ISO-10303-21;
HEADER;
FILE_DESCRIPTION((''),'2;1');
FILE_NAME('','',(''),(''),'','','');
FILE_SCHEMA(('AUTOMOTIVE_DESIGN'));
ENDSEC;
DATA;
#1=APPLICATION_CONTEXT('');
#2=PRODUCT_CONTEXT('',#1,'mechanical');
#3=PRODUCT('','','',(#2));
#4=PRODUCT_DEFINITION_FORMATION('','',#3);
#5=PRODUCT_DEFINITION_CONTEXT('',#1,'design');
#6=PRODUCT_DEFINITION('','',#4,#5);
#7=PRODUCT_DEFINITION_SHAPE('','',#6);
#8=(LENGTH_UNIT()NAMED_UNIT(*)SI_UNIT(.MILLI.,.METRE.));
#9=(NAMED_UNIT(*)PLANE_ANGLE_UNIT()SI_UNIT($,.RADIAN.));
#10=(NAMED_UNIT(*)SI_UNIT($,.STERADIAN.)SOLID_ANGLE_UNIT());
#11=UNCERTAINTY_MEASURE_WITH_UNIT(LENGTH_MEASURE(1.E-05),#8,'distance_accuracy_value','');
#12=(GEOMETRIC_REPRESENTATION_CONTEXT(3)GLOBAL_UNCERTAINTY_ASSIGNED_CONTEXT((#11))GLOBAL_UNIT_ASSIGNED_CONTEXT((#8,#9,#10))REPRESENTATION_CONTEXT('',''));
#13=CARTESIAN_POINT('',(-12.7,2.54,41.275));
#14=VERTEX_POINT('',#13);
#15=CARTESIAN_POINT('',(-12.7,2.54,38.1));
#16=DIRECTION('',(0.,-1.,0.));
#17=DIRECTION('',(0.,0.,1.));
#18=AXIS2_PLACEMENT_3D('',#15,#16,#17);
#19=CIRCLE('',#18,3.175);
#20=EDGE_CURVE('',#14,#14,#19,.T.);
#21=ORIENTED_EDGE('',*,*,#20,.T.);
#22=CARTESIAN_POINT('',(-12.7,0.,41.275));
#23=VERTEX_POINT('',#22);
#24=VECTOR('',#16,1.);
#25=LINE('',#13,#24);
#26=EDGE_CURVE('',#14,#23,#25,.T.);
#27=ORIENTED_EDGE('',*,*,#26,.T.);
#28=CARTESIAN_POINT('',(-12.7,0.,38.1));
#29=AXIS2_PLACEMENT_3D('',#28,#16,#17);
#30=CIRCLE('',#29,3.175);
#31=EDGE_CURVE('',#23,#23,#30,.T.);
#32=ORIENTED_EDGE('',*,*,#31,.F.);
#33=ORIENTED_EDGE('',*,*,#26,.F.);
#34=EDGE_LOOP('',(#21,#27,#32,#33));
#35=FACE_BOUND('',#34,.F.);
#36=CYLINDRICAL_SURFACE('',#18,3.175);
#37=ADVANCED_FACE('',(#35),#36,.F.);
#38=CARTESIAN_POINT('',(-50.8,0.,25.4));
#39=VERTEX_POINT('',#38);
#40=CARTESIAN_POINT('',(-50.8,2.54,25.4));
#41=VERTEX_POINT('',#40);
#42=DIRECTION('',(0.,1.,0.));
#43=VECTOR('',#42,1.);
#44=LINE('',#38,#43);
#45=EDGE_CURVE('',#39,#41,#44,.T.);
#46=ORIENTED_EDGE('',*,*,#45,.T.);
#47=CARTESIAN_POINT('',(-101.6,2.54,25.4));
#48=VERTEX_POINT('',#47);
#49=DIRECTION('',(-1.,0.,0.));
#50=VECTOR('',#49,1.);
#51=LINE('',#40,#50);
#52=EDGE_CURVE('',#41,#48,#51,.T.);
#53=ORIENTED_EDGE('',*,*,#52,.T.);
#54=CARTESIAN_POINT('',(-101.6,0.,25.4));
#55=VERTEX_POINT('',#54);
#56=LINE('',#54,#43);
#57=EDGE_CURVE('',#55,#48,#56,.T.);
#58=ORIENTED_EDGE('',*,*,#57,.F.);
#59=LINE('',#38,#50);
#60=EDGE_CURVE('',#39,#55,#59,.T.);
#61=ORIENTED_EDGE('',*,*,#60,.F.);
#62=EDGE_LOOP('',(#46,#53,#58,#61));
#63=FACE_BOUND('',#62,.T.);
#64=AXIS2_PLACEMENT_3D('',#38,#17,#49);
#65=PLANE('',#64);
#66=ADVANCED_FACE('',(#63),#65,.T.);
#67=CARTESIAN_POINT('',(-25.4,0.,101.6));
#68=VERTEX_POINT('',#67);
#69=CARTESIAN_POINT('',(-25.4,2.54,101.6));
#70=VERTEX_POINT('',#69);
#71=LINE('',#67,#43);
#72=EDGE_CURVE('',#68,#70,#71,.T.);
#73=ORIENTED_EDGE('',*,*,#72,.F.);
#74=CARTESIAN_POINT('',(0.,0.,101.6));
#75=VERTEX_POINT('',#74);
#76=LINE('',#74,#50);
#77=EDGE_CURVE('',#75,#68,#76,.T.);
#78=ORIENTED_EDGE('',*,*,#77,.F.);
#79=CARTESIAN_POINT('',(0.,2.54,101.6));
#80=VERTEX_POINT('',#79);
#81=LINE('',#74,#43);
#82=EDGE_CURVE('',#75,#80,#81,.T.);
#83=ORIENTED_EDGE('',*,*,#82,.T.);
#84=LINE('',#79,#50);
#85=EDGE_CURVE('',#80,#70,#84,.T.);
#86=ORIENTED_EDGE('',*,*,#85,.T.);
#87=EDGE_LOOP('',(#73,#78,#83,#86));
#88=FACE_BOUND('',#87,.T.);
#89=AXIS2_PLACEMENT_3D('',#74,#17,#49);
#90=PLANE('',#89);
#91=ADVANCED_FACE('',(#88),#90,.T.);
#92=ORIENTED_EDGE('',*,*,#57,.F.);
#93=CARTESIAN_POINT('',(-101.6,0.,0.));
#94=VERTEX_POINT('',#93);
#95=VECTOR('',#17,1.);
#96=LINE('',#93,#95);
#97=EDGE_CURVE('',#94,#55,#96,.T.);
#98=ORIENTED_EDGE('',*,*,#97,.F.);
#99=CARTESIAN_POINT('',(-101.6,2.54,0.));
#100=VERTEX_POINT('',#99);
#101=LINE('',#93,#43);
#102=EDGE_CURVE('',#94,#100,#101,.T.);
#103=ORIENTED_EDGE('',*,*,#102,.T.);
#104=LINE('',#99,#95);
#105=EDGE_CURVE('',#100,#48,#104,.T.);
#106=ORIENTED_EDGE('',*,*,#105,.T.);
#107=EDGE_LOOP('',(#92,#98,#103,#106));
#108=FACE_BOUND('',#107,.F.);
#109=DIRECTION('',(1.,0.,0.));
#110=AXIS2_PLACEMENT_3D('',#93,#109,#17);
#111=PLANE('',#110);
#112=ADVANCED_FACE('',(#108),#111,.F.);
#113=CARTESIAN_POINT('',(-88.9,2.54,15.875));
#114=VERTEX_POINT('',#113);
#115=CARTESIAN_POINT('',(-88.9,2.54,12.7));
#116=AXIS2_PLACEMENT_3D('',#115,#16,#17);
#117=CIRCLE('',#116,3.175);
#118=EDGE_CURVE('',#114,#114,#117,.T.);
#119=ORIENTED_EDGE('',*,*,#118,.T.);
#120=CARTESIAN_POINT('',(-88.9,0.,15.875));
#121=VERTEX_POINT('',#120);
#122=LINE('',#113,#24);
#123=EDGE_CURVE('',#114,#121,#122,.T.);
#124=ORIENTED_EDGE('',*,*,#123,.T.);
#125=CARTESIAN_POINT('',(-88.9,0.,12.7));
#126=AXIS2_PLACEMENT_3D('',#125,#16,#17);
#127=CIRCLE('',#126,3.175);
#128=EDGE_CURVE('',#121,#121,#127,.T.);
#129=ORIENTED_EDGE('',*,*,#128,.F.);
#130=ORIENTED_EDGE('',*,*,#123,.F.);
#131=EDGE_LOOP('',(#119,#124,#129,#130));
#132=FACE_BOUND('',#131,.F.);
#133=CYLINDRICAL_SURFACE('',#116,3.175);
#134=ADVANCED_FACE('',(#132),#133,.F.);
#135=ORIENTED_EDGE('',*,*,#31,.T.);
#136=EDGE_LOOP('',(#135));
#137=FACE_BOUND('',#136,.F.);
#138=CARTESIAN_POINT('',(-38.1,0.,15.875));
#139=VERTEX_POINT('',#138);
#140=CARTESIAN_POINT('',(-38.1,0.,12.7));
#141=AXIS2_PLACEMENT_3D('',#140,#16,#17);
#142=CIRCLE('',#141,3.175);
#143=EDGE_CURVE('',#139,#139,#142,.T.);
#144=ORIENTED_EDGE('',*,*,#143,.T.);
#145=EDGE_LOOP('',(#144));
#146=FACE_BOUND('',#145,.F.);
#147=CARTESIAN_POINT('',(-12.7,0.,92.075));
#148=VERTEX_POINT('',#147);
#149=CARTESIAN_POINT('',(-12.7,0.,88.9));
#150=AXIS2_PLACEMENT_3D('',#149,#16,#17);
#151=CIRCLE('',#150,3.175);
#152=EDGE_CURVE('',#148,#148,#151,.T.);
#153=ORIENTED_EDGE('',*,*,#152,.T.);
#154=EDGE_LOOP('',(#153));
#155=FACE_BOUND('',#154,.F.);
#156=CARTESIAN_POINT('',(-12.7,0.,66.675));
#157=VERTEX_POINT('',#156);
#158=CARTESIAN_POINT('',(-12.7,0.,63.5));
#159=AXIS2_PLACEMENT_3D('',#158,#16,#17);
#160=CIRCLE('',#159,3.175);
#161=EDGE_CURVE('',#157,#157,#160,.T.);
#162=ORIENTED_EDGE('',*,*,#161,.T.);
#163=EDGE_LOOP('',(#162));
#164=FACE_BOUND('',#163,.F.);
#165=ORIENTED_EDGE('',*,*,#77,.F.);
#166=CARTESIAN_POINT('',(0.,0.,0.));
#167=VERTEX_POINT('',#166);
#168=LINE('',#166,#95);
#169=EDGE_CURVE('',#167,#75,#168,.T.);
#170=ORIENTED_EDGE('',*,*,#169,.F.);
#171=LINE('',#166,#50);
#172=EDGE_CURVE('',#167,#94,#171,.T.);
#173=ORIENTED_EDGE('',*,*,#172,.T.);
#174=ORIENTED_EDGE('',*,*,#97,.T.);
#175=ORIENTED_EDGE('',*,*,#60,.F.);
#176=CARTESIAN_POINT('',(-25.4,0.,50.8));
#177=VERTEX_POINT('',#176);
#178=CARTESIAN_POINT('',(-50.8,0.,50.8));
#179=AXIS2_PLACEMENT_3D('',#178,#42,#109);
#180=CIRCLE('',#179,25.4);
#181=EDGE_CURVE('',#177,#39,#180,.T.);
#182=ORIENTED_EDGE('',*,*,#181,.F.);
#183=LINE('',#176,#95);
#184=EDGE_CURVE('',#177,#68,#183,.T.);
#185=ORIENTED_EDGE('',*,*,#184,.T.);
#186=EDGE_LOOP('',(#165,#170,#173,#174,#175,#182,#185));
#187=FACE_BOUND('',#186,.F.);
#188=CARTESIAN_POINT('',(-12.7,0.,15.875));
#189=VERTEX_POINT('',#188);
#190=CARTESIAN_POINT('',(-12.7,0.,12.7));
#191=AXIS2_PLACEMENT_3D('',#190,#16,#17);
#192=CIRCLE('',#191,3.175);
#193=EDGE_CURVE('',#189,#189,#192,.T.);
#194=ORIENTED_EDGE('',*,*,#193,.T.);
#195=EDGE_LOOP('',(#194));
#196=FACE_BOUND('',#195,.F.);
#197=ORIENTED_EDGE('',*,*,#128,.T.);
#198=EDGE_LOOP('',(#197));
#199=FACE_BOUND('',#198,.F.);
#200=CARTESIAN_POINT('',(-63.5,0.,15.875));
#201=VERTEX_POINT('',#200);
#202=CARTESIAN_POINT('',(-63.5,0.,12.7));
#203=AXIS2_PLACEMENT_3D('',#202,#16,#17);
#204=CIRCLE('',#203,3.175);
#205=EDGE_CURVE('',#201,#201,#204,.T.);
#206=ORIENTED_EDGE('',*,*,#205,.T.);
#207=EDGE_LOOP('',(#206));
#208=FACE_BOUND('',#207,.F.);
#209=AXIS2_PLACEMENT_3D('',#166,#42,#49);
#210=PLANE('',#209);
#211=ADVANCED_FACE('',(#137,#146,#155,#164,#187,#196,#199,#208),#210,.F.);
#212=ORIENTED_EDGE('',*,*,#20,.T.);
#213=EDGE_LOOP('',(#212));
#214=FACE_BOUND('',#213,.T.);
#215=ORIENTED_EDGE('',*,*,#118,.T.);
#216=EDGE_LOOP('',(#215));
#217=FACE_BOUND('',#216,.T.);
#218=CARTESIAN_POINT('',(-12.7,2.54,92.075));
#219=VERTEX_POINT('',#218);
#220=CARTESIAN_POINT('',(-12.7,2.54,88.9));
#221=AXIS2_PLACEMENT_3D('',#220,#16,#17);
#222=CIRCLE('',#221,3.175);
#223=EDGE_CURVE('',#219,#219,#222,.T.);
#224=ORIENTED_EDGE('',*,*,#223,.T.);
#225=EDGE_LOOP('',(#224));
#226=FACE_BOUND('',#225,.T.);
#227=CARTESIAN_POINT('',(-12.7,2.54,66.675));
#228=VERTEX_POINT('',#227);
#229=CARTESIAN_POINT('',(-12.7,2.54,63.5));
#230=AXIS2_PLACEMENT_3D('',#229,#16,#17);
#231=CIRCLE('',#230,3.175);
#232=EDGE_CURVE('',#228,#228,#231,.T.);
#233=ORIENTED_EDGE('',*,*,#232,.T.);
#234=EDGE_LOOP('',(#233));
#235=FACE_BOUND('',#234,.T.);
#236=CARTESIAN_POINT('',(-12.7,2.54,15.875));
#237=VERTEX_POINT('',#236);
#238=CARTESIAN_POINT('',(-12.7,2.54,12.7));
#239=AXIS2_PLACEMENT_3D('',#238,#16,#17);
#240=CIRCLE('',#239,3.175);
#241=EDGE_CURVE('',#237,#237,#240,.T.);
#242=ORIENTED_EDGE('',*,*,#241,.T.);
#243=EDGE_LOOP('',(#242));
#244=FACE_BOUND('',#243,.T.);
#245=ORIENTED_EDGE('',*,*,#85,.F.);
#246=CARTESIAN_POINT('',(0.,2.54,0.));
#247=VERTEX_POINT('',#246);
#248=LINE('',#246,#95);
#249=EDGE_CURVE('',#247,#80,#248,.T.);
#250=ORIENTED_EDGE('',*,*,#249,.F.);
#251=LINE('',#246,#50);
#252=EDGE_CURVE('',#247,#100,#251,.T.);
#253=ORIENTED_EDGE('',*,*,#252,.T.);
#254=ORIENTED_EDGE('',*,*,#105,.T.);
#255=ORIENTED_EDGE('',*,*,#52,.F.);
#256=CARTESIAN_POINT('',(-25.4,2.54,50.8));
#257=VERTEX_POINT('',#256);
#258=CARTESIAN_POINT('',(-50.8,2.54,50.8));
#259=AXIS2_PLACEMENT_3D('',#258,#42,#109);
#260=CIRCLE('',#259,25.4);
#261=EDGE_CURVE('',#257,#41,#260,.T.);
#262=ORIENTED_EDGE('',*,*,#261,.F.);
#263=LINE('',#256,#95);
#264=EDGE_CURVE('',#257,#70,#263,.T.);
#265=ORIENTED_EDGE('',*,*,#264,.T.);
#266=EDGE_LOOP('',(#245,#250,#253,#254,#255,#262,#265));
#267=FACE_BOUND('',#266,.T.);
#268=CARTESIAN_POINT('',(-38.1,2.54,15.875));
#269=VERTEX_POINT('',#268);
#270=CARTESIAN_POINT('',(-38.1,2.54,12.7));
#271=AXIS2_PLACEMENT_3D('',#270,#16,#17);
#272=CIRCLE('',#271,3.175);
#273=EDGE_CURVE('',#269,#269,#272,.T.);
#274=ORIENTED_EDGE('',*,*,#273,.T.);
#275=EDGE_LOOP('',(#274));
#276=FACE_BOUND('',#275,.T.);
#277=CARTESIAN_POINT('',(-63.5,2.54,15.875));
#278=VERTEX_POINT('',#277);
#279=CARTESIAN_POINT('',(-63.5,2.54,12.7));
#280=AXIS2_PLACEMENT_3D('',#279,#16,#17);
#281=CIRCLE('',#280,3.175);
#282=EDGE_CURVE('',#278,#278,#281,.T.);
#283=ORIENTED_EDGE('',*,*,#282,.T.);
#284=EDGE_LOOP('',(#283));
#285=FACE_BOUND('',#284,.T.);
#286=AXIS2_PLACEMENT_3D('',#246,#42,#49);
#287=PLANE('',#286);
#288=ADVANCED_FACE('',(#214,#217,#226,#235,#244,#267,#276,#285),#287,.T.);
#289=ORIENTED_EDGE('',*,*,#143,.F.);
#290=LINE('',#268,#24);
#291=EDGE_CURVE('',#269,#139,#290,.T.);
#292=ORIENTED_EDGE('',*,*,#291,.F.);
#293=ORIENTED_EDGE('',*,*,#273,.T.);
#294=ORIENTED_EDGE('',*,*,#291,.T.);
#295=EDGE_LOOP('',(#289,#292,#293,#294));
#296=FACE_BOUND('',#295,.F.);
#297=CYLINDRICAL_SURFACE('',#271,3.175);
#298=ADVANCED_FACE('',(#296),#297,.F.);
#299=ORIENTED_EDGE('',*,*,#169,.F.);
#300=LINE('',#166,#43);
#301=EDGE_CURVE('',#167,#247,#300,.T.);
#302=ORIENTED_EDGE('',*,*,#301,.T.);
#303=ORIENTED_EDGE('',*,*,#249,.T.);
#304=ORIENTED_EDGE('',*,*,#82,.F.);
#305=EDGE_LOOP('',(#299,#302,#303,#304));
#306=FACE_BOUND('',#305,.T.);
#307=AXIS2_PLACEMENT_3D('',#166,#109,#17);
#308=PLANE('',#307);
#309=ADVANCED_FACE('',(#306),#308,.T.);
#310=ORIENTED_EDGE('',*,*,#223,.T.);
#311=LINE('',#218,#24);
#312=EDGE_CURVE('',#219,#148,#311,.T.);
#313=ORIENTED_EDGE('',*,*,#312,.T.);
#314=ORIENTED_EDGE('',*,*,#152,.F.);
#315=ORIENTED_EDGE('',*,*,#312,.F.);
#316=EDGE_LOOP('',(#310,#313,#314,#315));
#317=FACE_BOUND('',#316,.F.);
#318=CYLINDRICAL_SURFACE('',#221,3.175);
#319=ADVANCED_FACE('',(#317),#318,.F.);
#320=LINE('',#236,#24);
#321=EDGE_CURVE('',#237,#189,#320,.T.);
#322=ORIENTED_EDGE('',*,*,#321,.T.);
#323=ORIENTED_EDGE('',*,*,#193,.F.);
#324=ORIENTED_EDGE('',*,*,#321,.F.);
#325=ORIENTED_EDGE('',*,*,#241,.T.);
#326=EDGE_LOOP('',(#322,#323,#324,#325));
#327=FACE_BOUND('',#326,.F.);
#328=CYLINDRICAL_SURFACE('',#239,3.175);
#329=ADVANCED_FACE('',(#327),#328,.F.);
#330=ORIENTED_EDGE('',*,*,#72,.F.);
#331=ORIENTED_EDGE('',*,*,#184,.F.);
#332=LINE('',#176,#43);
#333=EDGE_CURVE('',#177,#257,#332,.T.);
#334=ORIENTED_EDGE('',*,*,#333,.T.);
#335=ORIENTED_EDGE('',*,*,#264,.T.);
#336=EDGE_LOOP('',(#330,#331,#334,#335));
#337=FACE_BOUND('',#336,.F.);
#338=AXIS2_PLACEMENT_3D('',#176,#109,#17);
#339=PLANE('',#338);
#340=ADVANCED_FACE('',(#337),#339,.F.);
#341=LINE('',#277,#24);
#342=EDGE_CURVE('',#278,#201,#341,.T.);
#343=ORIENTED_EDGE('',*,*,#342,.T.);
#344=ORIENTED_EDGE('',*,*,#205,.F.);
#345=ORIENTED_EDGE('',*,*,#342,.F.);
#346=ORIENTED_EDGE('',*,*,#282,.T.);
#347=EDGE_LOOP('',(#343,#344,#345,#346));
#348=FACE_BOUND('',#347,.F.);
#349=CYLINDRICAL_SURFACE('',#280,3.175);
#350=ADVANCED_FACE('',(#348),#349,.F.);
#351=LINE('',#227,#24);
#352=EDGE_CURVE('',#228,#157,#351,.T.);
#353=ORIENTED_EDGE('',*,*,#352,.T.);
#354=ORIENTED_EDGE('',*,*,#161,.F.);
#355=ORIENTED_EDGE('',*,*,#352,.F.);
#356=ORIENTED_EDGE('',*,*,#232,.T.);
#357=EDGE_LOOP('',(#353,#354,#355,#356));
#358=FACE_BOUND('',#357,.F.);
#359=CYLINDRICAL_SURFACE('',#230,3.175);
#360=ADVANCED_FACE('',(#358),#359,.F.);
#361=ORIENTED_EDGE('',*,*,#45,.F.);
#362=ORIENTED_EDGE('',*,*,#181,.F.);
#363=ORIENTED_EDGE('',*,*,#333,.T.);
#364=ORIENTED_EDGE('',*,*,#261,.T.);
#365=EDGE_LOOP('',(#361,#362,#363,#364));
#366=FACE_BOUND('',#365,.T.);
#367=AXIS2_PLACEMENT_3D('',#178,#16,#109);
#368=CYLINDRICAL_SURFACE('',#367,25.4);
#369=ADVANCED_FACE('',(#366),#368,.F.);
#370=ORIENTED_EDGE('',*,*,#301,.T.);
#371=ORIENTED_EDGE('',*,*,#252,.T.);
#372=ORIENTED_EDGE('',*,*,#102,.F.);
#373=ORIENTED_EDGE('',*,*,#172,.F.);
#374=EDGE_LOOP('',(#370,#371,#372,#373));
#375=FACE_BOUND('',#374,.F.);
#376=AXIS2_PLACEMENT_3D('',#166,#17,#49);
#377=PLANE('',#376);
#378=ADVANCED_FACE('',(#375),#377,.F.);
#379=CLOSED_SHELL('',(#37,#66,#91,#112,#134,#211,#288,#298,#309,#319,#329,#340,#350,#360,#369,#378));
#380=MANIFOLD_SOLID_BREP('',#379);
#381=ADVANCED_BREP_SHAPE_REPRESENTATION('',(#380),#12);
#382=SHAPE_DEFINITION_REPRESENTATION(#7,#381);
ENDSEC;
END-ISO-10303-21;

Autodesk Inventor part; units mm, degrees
ref_plane "YZ Plane" through (0, 0, 0) normal (1, 0, 0) x (0, 1, 0)
ref_plane "XZ Plane" through (0, 0, 0) normal (0, 1, 0) x (-1, 0, 0)
ref_plane "XY Plane" through (0, 0, 0) normal (0, 0, 1) x (1, 0, 0)
sketch "Sketch1" plane through (0, 0, 0) normal (0, 1, 0) x (-1, 0, 0)
  line L0 (0, 0) -> (0, 101.6)
  line L1 (0, 101.6) -> (25.4, 101.6)
  line L2 (0, 0) -> (101.6, 0)
  line L3 (101.6, 0) -> (101.6, 25.4)
  line L4 (50.8, 25.4) -> (101.6, 25.4)
  line L5 (25.4, 50.8) -> (25.4, 101.6)
  arc A0 (25.4, 28.575) -> (28.575, 25.4) centre (28.575, 28.575) ccw
  arc A1 (25.4, 50.8) -> (50.8, 25.4) centre (50.8, 50.8) ccw
  dimension "d0" = 101.6
  dimension "d1" = 25.4
  dimension "d2" = 101.6
  dimension "d3" = 25.4
  dimension "d4" = 3.175
  dimension "d5" = 25.4
extrude "Extrusion1" add sketch "Sketch1" along normal blind 2.54
hole "Hole1" at (-12.7, 2.54, 12.7) direction (0, -1, 0) diameter 6.35 end through all
pattern_linear "Rectangular Pattern1" count 4 spacing 25.4 along (-1, 0, 0) of "Hole1"
pattern_linear "Rectangular Pattern2" count 4 spacing 25.4 along (0, 0, 1) of "Hole1"
properties part number "Gusset"
